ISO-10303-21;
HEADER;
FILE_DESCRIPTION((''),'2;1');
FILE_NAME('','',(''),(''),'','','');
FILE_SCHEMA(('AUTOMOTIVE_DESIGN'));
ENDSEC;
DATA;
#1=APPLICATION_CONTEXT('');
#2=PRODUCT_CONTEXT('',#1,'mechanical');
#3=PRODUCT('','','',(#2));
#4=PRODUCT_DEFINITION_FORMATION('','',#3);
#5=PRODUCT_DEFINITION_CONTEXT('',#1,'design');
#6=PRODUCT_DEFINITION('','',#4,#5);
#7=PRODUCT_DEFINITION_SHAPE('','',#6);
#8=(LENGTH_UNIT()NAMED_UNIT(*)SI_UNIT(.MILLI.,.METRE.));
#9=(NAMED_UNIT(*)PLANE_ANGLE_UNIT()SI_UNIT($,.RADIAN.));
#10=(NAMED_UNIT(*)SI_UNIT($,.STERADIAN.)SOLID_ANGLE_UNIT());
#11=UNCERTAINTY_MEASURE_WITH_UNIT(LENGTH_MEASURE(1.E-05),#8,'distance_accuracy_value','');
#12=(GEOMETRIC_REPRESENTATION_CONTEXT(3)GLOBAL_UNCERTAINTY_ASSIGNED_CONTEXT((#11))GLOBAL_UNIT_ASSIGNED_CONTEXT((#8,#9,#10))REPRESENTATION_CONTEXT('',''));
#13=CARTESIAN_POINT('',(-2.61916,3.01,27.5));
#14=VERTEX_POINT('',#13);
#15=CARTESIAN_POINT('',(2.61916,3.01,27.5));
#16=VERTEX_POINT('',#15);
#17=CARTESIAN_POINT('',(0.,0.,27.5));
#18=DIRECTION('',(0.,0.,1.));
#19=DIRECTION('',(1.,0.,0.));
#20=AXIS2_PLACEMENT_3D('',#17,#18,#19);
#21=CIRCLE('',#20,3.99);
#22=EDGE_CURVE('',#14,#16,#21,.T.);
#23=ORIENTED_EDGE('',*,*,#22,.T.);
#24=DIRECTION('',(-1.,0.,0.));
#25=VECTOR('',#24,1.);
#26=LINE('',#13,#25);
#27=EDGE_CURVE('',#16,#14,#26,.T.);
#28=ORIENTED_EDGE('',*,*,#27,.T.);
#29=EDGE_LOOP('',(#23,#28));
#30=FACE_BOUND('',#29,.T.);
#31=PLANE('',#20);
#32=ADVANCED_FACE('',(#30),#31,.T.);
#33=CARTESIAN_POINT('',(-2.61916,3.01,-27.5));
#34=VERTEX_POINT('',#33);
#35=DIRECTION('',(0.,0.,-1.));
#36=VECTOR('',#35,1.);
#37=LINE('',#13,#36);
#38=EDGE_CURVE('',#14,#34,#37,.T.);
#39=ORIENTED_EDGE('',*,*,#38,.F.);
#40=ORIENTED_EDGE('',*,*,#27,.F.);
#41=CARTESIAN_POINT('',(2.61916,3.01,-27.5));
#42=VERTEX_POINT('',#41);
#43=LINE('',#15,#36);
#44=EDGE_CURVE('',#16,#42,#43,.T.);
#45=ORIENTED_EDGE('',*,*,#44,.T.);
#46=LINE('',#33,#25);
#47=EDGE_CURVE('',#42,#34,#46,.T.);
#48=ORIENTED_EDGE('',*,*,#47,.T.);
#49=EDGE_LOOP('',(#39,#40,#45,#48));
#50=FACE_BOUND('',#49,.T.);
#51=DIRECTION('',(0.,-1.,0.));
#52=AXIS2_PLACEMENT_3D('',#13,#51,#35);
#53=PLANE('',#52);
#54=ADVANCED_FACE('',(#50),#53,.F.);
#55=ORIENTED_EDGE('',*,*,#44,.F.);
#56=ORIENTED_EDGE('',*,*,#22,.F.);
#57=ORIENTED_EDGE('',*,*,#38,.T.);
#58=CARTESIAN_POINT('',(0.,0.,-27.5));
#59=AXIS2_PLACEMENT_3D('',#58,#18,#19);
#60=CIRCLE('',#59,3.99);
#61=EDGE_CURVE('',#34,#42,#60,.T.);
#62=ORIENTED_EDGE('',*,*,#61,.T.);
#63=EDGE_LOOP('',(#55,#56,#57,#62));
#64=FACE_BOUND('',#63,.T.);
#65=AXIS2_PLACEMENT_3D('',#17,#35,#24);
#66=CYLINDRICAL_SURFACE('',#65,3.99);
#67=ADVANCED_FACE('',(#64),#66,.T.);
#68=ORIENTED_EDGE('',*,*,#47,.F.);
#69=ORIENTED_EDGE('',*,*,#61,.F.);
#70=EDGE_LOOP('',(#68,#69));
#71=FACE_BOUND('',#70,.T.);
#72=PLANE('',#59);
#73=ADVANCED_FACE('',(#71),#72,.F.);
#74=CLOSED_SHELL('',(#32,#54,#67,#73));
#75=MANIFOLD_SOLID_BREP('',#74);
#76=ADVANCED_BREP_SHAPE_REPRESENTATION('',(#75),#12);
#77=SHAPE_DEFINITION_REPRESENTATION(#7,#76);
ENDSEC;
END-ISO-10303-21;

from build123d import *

# Parameters (mm, degrees)
BOSS_EXTRUDE1_DEPTH = 27.5


with BuildPart() as part:
    # Sketch1 → Boss-Extrude1 (new, symmetric)
    with BuildSketch(Plane.XY):
        with BuildLine():
            Line((-2.619160171, 3.01), (2.619160171, 3.01))
            ThreePointArc((2.619160171, 3.01), (0, -3.99), (-2.619160171, 3.01))
        make_face()
    extrude(amount=BOSS_EXTRUDE1_DEPTH, both=True)


solid = part.part
